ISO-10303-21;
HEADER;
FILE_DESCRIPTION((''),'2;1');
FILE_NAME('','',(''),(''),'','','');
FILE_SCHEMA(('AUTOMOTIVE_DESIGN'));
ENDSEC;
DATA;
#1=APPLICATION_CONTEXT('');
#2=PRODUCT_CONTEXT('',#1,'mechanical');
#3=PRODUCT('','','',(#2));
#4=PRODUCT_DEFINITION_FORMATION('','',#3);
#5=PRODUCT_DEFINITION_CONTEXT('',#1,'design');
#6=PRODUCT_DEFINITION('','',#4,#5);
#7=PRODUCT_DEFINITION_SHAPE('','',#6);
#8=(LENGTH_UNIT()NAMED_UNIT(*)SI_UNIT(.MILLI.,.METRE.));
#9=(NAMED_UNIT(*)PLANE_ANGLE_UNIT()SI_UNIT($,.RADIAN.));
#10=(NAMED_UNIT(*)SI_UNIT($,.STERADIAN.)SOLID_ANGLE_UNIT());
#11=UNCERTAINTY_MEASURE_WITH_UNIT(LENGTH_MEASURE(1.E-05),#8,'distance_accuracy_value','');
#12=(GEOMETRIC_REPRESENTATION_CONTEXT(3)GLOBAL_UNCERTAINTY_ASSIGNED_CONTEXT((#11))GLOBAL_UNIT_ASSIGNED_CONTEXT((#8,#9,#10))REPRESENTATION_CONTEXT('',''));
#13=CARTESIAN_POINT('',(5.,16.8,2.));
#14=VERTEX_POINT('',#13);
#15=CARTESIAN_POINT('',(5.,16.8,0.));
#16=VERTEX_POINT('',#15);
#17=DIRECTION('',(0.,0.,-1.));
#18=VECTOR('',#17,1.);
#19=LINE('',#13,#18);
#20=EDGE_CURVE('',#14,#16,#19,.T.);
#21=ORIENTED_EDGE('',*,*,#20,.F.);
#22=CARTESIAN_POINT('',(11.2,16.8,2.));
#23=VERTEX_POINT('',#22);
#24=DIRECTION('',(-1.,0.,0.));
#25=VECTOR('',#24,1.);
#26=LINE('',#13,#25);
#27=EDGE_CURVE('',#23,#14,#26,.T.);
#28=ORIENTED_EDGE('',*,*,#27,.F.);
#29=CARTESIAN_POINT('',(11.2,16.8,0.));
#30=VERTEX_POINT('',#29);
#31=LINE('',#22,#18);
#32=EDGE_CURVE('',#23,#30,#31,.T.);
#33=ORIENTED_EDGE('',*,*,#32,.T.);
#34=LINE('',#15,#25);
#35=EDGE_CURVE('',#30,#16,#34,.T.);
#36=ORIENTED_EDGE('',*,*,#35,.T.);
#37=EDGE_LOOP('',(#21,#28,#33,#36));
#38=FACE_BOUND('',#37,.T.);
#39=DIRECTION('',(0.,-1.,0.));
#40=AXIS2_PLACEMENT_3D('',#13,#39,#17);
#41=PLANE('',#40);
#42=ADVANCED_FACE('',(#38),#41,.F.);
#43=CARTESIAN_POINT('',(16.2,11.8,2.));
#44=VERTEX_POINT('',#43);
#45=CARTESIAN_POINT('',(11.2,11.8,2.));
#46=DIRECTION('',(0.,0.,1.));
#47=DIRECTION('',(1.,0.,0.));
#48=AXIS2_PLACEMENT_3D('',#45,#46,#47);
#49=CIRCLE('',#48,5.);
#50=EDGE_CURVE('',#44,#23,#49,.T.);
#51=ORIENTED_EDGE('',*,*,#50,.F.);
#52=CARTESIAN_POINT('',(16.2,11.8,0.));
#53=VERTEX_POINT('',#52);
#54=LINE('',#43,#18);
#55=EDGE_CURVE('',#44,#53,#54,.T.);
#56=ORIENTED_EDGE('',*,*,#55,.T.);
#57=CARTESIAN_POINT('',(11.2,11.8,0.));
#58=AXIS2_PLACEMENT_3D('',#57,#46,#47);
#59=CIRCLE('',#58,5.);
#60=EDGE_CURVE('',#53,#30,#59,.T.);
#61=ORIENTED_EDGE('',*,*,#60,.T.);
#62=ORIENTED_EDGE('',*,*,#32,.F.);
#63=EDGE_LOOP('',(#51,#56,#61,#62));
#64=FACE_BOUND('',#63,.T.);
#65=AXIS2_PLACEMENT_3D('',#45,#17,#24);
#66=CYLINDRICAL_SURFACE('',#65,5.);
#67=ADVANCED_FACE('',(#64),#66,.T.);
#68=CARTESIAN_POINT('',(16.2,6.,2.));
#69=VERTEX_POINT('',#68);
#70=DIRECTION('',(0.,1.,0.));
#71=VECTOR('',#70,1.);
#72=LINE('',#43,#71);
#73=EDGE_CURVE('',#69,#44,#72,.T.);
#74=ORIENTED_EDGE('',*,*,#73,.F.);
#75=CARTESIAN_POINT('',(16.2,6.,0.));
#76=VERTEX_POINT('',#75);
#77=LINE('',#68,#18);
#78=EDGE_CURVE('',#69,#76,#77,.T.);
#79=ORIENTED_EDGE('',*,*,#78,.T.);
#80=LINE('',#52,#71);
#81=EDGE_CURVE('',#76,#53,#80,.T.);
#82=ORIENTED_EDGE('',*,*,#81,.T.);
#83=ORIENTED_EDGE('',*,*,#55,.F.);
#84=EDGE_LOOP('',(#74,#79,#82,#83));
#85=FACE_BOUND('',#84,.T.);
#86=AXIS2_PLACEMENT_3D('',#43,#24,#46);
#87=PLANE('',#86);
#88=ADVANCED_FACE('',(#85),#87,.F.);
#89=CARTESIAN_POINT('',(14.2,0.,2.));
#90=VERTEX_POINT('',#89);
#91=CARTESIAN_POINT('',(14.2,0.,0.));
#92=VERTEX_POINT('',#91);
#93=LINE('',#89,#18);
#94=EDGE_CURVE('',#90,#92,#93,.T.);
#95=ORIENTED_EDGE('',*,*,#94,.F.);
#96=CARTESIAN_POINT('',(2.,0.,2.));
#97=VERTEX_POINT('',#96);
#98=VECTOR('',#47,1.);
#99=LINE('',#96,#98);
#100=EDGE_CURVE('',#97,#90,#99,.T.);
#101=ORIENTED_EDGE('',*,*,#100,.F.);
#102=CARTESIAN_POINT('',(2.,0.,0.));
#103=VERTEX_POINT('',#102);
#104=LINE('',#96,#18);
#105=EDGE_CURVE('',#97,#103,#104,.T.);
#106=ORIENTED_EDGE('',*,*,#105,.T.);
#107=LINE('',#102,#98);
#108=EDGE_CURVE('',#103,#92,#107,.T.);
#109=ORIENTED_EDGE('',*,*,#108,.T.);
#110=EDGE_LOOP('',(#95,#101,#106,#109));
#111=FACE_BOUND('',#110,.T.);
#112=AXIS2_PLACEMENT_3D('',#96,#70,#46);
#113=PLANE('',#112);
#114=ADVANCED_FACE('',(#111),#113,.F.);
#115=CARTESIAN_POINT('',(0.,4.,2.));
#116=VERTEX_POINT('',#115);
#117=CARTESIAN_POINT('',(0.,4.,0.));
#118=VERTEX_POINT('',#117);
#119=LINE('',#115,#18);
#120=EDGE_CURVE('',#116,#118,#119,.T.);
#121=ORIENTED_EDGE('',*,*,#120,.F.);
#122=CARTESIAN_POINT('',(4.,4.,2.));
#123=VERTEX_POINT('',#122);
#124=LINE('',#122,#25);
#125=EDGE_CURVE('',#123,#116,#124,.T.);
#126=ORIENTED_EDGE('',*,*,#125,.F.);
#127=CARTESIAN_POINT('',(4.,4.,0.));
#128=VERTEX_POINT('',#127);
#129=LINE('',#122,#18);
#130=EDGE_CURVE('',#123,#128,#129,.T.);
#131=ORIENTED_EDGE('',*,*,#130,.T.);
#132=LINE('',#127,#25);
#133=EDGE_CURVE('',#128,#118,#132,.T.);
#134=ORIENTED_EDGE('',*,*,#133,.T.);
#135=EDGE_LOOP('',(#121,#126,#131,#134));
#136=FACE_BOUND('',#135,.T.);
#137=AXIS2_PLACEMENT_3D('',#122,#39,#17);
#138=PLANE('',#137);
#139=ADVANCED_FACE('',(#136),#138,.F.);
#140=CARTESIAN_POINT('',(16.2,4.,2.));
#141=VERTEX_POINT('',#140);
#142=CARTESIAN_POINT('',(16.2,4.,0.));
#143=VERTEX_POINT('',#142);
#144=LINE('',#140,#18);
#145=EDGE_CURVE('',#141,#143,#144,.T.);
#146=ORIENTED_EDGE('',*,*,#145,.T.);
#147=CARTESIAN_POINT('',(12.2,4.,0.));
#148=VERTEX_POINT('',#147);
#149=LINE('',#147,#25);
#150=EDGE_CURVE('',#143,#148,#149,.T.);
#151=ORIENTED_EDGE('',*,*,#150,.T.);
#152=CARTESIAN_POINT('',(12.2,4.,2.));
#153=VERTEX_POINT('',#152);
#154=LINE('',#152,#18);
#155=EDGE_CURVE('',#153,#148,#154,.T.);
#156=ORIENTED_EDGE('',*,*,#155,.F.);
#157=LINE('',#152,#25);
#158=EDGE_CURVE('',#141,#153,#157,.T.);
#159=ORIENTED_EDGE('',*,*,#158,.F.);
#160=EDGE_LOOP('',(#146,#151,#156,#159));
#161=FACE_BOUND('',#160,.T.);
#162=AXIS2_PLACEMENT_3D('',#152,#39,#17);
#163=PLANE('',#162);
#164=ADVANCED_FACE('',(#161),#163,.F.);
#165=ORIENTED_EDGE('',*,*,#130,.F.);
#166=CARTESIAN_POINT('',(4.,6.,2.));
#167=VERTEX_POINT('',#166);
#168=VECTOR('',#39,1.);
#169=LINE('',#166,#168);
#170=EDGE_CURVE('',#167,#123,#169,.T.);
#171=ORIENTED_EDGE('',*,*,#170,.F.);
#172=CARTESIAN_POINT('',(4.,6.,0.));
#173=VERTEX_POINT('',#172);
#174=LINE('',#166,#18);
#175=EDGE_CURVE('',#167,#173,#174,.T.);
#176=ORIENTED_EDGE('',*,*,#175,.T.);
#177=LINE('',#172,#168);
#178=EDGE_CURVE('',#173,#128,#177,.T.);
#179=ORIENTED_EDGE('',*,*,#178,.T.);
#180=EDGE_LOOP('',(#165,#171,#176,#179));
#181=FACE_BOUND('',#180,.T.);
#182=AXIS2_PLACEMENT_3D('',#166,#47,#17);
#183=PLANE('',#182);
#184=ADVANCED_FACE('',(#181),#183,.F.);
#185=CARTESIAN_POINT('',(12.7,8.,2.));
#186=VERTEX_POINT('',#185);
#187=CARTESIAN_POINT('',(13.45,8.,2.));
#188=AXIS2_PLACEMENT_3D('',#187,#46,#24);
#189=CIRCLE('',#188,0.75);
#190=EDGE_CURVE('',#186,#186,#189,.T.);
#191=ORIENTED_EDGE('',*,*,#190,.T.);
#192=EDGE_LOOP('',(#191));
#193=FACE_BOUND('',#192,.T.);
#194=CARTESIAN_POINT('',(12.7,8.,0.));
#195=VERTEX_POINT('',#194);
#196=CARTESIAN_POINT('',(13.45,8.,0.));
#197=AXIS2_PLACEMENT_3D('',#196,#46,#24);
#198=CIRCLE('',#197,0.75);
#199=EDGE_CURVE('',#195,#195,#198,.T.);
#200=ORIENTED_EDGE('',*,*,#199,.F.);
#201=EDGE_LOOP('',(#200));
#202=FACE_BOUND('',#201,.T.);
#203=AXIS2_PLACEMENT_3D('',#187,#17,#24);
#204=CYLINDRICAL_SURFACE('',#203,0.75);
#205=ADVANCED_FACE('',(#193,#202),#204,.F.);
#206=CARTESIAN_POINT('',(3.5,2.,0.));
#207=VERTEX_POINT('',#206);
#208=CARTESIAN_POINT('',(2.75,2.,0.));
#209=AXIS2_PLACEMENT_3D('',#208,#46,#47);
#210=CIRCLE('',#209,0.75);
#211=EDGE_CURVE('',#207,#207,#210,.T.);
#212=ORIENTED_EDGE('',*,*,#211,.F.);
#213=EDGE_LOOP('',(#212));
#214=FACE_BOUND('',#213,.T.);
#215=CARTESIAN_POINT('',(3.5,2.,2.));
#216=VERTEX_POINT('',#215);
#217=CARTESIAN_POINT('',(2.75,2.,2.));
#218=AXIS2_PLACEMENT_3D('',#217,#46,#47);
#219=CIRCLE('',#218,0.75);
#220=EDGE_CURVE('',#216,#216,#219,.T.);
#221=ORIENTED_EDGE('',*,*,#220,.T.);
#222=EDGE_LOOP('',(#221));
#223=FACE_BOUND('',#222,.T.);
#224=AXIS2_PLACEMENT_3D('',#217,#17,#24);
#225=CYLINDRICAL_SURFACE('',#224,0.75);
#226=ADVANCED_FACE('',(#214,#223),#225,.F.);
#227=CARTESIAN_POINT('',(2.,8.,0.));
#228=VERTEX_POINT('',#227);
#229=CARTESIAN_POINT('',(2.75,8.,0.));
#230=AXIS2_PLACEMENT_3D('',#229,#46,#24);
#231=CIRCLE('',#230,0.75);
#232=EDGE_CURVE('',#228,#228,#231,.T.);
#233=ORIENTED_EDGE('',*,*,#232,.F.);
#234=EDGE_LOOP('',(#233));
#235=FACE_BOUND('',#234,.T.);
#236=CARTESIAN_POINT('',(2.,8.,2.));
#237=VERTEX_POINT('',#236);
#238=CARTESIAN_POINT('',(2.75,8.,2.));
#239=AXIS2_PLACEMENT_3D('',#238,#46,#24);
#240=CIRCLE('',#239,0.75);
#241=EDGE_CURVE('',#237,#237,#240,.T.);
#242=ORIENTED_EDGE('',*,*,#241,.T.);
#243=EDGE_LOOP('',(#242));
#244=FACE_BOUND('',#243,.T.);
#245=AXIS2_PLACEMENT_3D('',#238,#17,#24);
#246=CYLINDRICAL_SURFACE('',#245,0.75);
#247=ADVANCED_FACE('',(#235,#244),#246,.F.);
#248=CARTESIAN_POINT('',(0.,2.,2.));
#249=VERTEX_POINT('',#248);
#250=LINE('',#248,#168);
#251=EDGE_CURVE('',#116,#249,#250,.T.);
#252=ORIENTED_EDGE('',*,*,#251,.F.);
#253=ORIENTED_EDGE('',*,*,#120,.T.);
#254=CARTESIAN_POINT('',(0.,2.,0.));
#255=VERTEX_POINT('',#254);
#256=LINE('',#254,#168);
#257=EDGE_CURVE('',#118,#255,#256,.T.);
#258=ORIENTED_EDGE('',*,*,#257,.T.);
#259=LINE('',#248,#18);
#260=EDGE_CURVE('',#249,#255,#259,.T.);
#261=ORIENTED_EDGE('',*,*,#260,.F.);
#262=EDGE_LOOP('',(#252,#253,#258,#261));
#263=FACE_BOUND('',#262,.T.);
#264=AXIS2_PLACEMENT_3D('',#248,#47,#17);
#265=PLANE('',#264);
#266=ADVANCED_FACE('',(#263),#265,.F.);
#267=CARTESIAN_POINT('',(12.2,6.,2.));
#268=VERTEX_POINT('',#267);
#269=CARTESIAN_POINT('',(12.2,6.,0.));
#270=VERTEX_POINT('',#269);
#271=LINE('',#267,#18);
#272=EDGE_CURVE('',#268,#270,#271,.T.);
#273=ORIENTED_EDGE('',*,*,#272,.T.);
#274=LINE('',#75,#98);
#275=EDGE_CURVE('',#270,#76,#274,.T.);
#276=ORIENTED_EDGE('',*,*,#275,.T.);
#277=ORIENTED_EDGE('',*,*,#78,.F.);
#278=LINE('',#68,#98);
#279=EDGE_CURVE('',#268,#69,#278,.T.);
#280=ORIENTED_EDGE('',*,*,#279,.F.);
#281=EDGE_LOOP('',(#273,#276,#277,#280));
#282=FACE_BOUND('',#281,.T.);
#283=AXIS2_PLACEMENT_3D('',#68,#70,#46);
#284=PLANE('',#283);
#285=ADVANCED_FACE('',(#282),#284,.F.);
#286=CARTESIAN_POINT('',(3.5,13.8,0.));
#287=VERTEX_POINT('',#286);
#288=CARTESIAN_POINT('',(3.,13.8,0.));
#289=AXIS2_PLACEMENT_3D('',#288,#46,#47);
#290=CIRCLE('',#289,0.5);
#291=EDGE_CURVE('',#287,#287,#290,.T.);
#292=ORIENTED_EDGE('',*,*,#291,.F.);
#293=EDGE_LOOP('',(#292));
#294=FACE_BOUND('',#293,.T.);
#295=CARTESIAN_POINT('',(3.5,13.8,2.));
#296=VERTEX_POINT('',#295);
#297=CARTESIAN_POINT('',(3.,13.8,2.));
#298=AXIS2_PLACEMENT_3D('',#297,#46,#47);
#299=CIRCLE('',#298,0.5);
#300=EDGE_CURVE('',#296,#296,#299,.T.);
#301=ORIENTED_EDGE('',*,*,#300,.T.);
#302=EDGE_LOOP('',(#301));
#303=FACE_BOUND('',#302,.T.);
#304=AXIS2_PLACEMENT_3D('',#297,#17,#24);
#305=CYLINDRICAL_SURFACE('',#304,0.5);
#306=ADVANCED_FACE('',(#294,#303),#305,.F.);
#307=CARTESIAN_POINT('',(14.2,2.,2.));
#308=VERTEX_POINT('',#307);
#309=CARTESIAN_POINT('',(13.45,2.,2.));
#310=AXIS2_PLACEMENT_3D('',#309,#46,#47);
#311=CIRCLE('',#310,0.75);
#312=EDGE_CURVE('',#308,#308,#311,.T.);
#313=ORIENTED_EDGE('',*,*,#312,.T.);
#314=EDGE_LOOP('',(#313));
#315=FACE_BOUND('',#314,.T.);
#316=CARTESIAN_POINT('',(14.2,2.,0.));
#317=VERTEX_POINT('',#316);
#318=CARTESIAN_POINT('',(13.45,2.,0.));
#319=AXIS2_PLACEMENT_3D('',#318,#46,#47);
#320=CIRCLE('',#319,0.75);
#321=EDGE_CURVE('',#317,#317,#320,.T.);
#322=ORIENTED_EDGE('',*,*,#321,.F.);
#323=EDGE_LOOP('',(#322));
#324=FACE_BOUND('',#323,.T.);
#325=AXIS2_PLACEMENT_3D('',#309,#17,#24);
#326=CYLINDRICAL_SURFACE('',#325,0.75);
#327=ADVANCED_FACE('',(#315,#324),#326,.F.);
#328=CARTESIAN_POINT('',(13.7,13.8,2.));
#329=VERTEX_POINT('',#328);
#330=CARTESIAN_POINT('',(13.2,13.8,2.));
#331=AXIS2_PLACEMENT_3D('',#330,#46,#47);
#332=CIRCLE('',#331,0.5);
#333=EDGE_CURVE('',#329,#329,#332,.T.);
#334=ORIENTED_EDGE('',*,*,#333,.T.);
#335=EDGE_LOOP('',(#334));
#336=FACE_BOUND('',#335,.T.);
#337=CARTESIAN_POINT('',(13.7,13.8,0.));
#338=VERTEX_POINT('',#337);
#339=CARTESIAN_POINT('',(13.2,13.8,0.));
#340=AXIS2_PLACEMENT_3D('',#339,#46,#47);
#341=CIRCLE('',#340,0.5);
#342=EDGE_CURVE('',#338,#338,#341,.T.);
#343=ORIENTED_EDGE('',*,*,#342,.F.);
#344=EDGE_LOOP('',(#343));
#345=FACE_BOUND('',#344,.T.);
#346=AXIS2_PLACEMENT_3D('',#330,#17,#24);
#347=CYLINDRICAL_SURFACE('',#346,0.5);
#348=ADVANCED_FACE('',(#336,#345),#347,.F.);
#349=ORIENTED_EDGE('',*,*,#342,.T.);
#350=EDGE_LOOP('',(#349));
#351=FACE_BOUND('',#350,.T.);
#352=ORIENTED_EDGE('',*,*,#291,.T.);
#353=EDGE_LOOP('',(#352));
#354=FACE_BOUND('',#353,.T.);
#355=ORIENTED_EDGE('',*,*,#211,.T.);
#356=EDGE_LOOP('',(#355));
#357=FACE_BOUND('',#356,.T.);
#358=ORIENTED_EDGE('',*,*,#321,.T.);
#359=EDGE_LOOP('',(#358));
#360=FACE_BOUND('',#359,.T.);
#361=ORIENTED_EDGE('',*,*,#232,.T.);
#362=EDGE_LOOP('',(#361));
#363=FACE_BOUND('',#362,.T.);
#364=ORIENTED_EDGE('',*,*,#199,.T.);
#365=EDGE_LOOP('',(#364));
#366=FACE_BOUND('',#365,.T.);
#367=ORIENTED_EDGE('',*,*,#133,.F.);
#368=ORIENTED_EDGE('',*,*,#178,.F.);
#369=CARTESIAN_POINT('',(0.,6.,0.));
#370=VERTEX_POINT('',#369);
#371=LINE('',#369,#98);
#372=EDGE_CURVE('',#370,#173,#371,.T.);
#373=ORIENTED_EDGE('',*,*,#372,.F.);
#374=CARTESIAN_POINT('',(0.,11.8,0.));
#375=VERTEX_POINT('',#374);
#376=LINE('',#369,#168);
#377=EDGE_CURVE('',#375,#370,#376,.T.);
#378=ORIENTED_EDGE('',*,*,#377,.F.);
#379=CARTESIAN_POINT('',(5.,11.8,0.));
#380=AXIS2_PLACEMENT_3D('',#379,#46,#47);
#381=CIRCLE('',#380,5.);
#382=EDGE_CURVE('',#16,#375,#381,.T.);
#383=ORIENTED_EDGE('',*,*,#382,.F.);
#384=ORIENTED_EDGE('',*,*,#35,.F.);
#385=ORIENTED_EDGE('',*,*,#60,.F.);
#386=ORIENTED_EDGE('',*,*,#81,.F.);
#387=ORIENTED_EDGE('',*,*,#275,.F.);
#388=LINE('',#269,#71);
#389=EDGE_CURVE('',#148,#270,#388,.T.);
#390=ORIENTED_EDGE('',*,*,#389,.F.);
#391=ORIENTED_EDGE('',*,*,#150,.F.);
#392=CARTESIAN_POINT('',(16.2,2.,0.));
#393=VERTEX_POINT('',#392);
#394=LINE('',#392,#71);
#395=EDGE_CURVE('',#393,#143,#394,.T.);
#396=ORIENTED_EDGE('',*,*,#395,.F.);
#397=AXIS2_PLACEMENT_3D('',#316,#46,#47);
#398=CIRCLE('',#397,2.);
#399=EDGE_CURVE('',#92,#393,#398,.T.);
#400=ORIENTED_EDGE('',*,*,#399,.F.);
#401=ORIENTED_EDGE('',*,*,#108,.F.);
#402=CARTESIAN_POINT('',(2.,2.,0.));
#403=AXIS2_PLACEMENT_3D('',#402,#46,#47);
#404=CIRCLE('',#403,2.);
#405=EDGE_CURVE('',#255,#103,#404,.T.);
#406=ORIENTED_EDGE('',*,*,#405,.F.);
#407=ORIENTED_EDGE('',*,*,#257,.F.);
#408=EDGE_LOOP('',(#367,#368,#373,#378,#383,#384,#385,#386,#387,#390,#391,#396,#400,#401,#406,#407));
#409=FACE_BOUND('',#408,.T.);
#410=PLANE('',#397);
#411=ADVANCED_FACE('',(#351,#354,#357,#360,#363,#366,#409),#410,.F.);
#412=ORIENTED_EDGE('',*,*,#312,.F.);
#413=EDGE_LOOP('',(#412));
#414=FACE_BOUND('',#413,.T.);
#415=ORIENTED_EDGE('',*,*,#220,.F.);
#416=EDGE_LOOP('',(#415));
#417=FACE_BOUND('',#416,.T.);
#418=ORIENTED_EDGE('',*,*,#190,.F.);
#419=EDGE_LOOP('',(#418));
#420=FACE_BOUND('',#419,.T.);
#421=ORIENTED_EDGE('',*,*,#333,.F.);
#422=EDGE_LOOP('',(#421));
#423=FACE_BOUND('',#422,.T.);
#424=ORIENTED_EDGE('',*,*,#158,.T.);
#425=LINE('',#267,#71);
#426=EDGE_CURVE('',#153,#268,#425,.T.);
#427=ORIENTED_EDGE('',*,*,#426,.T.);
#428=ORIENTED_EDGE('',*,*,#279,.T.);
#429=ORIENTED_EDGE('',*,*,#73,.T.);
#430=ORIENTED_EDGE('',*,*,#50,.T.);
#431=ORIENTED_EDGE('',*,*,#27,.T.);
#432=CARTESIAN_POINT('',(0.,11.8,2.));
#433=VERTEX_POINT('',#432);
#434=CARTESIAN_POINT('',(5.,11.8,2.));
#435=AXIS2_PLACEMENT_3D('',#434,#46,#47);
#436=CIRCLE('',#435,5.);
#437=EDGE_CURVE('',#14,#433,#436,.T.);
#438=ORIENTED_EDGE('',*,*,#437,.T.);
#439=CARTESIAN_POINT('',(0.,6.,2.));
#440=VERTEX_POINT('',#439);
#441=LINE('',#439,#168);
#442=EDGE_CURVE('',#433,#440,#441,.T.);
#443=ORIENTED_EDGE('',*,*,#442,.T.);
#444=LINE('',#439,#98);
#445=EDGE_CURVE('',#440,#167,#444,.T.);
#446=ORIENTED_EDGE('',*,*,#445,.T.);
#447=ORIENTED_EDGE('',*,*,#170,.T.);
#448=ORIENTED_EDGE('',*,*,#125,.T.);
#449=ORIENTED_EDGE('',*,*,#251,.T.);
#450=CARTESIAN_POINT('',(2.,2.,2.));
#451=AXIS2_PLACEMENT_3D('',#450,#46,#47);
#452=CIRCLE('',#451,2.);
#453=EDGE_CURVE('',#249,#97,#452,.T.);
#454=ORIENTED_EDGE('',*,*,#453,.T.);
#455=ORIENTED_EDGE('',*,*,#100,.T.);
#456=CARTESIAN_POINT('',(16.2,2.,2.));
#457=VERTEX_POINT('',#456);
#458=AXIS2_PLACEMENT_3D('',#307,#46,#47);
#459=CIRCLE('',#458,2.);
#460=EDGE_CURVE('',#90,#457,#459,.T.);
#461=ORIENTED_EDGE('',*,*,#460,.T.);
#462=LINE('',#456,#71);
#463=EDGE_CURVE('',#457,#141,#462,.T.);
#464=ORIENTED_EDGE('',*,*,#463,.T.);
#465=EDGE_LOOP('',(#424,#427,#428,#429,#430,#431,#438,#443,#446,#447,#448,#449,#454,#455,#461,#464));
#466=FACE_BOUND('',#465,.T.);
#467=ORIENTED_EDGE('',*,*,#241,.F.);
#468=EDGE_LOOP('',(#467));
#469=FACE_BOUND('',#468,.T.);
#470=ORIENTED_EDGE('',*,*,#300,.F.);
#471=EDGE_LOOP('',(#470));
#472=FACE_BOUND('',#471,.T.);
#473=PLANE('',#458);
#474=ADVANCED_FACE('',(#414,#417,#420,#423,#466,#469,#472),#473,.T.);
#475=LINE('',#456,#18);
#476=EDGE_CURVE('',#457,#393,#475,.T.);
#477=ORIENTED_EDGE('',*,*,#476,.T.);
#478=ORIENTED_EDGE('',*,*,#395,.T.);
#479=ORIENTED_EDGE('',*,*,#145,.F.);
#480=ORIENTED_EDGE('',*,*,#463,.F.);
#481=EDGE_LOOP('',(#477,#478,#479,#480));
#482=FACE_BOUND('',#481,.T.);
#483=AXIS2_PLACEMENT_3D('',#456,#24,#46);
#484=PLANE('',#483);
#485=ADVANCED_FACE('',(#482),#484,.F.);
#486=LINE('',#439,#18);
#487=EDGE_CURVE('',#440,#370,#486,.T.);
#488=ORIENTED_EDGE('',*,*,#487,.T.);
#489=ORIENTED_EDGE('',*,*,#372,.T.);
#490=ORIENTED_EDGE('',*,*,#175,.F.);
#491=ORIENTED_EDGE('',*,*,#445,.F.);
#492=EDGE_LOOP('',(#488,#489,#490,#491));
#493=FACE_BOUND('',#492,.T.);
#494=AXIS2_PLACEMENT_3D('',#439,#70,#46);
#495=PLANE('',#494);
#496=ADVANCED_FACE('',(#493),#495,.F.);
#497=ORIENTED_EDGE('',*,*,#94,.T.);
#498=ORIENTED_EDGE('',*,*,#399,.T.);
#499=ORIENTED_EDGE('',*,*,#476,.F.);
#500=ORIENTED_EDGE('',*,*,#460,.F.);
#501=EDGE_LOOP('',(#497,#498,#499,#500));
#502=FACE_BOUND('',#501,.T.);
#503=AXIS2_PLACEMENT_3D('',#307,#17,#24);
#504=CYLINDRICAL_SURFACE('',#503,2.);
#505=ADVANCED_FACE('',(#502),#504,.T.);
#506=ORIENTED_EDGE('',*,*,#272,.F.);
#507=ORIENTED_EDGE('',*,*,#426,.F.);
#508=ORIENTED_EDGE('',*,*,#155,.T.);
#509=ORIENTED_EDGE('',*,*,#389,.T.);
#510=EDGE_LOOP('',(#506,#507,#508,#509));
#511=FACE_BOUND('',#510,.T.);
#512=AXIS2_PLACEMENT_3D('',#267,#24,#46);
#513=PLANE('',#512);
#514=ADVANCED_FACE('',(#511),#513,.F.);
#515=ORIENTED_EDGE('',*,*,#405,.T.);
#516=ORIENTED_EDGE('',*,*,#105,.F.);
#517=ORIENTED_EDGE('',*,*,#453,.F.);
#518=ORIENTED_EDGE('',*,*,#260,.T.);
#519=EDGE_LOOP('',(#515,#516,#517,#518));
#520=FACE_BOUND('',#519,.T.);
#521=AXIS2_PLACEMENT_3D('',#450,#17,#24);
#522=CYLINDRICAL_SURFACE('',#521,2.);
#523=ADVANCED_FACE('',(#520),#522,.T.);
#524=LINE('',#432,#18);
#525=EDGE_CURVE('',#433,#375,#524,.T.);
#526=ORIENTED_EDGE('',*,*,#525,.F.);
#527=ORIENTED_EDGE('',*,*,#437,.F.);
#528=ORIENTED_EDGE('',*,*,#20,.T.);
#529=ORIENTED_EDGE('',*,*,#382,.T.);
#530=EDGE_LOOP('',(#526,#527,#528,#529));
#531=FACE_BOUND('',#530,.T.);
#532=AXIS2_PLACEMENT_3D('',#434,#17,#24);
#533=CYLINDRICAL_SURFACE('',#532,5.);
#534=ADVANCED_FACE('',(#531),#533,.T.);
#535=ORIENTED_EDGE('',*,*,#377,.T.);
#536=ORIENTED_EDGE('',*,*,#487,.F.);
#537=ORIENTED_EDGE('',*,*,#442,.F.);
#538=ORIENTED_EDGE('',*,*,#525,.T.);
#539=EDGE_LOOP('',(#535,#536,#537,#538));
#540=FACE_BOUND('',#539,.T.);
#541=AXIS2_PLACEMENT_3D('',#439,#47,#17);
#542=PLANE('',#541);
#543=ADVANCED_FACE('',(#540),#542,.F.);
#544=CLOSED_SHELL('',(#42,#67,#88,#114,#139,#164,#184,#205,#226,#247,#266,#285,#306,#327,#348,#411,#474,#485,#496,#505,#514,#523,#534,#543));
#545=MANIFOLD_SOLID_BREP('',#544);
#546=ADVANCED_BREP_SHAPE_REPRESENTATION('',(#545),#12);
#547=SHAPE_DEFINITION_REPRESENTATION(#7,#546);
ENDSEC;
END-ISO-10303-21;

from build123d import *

# Parameters (mm, degrees)
SKETCH1_R           = 0.5
SKETCH1_R_2         = 0.75
BOSS_EXTRUDE1_DEPTH = 2


with BuildPart() as part:
    # Sketch1 → Boss-Extrude1 (new body)
    with BuildSketch(Plane.XY):
        with BuildLine():
            Line((0, 6), (0, 11.8))
            ThreePointArc((0, 11.8), (1.464466094, 15.335533906), (5, 16.8))
            Line((5, 16.8), (11.2, 16.8))
            ThreePointArc((11.2, 16.8), (14.735533906, 15.335533906), (16.2, 11.8))
            Line((16.2, 11.8), (16.2, 6))
            Line((16.2, 6), (12.2, 6))
            Line((12.2, 6), (12.2, 4))
            Line((12.2, 4), (16.2, 4))
            Line((16.2, 4), (16.2, 2))
            ThreePointArc((16.2, 2), (15.614213562, 0.585786438), (14.2, 0))
            Line((14.2, 0), (2, 0))
            ThreePointArc((2, 0), (0.585786438, 0.585786438), (0, 2))
            Line((0, 2), (0, 4))
            Line((0, 4), (4, 4))
            Line((4, 4), (4, 6))
            Line((4, 6), (0, 6))
        make_face()
        with Locations((3, 13.8)):
            Circle(SKETCH1_R, mode=Mode.SUBTRACT)
        with Locations((13.2, 13.8)):
            Circle(SKETCH1_R, mode=Mode.SUBTRACT)
        with Locations(Location((13.45, 8, 0), (0, 0, 180))):
            Circle(SKETCH1_R_2, mode=Mode.SUBTRACT)
        with Locations(Location((2.75, 8, 0), (0, 0, 180))):
            Circle(SKETCH1_R_2, mode=Mode.SUBTRACT)
        with Locations((13.45, 2)):
            Circle(SKETCH1_R_2, mode=Mode.SUBTRACT)
        with Locations((2.75, 2)):
            Circle(SKETCH1_R_2, mode=Mode.SUBTRACT)
    extrude(amount=BOSS_EXTRUDE1_DEPTH)


solid = part.part
